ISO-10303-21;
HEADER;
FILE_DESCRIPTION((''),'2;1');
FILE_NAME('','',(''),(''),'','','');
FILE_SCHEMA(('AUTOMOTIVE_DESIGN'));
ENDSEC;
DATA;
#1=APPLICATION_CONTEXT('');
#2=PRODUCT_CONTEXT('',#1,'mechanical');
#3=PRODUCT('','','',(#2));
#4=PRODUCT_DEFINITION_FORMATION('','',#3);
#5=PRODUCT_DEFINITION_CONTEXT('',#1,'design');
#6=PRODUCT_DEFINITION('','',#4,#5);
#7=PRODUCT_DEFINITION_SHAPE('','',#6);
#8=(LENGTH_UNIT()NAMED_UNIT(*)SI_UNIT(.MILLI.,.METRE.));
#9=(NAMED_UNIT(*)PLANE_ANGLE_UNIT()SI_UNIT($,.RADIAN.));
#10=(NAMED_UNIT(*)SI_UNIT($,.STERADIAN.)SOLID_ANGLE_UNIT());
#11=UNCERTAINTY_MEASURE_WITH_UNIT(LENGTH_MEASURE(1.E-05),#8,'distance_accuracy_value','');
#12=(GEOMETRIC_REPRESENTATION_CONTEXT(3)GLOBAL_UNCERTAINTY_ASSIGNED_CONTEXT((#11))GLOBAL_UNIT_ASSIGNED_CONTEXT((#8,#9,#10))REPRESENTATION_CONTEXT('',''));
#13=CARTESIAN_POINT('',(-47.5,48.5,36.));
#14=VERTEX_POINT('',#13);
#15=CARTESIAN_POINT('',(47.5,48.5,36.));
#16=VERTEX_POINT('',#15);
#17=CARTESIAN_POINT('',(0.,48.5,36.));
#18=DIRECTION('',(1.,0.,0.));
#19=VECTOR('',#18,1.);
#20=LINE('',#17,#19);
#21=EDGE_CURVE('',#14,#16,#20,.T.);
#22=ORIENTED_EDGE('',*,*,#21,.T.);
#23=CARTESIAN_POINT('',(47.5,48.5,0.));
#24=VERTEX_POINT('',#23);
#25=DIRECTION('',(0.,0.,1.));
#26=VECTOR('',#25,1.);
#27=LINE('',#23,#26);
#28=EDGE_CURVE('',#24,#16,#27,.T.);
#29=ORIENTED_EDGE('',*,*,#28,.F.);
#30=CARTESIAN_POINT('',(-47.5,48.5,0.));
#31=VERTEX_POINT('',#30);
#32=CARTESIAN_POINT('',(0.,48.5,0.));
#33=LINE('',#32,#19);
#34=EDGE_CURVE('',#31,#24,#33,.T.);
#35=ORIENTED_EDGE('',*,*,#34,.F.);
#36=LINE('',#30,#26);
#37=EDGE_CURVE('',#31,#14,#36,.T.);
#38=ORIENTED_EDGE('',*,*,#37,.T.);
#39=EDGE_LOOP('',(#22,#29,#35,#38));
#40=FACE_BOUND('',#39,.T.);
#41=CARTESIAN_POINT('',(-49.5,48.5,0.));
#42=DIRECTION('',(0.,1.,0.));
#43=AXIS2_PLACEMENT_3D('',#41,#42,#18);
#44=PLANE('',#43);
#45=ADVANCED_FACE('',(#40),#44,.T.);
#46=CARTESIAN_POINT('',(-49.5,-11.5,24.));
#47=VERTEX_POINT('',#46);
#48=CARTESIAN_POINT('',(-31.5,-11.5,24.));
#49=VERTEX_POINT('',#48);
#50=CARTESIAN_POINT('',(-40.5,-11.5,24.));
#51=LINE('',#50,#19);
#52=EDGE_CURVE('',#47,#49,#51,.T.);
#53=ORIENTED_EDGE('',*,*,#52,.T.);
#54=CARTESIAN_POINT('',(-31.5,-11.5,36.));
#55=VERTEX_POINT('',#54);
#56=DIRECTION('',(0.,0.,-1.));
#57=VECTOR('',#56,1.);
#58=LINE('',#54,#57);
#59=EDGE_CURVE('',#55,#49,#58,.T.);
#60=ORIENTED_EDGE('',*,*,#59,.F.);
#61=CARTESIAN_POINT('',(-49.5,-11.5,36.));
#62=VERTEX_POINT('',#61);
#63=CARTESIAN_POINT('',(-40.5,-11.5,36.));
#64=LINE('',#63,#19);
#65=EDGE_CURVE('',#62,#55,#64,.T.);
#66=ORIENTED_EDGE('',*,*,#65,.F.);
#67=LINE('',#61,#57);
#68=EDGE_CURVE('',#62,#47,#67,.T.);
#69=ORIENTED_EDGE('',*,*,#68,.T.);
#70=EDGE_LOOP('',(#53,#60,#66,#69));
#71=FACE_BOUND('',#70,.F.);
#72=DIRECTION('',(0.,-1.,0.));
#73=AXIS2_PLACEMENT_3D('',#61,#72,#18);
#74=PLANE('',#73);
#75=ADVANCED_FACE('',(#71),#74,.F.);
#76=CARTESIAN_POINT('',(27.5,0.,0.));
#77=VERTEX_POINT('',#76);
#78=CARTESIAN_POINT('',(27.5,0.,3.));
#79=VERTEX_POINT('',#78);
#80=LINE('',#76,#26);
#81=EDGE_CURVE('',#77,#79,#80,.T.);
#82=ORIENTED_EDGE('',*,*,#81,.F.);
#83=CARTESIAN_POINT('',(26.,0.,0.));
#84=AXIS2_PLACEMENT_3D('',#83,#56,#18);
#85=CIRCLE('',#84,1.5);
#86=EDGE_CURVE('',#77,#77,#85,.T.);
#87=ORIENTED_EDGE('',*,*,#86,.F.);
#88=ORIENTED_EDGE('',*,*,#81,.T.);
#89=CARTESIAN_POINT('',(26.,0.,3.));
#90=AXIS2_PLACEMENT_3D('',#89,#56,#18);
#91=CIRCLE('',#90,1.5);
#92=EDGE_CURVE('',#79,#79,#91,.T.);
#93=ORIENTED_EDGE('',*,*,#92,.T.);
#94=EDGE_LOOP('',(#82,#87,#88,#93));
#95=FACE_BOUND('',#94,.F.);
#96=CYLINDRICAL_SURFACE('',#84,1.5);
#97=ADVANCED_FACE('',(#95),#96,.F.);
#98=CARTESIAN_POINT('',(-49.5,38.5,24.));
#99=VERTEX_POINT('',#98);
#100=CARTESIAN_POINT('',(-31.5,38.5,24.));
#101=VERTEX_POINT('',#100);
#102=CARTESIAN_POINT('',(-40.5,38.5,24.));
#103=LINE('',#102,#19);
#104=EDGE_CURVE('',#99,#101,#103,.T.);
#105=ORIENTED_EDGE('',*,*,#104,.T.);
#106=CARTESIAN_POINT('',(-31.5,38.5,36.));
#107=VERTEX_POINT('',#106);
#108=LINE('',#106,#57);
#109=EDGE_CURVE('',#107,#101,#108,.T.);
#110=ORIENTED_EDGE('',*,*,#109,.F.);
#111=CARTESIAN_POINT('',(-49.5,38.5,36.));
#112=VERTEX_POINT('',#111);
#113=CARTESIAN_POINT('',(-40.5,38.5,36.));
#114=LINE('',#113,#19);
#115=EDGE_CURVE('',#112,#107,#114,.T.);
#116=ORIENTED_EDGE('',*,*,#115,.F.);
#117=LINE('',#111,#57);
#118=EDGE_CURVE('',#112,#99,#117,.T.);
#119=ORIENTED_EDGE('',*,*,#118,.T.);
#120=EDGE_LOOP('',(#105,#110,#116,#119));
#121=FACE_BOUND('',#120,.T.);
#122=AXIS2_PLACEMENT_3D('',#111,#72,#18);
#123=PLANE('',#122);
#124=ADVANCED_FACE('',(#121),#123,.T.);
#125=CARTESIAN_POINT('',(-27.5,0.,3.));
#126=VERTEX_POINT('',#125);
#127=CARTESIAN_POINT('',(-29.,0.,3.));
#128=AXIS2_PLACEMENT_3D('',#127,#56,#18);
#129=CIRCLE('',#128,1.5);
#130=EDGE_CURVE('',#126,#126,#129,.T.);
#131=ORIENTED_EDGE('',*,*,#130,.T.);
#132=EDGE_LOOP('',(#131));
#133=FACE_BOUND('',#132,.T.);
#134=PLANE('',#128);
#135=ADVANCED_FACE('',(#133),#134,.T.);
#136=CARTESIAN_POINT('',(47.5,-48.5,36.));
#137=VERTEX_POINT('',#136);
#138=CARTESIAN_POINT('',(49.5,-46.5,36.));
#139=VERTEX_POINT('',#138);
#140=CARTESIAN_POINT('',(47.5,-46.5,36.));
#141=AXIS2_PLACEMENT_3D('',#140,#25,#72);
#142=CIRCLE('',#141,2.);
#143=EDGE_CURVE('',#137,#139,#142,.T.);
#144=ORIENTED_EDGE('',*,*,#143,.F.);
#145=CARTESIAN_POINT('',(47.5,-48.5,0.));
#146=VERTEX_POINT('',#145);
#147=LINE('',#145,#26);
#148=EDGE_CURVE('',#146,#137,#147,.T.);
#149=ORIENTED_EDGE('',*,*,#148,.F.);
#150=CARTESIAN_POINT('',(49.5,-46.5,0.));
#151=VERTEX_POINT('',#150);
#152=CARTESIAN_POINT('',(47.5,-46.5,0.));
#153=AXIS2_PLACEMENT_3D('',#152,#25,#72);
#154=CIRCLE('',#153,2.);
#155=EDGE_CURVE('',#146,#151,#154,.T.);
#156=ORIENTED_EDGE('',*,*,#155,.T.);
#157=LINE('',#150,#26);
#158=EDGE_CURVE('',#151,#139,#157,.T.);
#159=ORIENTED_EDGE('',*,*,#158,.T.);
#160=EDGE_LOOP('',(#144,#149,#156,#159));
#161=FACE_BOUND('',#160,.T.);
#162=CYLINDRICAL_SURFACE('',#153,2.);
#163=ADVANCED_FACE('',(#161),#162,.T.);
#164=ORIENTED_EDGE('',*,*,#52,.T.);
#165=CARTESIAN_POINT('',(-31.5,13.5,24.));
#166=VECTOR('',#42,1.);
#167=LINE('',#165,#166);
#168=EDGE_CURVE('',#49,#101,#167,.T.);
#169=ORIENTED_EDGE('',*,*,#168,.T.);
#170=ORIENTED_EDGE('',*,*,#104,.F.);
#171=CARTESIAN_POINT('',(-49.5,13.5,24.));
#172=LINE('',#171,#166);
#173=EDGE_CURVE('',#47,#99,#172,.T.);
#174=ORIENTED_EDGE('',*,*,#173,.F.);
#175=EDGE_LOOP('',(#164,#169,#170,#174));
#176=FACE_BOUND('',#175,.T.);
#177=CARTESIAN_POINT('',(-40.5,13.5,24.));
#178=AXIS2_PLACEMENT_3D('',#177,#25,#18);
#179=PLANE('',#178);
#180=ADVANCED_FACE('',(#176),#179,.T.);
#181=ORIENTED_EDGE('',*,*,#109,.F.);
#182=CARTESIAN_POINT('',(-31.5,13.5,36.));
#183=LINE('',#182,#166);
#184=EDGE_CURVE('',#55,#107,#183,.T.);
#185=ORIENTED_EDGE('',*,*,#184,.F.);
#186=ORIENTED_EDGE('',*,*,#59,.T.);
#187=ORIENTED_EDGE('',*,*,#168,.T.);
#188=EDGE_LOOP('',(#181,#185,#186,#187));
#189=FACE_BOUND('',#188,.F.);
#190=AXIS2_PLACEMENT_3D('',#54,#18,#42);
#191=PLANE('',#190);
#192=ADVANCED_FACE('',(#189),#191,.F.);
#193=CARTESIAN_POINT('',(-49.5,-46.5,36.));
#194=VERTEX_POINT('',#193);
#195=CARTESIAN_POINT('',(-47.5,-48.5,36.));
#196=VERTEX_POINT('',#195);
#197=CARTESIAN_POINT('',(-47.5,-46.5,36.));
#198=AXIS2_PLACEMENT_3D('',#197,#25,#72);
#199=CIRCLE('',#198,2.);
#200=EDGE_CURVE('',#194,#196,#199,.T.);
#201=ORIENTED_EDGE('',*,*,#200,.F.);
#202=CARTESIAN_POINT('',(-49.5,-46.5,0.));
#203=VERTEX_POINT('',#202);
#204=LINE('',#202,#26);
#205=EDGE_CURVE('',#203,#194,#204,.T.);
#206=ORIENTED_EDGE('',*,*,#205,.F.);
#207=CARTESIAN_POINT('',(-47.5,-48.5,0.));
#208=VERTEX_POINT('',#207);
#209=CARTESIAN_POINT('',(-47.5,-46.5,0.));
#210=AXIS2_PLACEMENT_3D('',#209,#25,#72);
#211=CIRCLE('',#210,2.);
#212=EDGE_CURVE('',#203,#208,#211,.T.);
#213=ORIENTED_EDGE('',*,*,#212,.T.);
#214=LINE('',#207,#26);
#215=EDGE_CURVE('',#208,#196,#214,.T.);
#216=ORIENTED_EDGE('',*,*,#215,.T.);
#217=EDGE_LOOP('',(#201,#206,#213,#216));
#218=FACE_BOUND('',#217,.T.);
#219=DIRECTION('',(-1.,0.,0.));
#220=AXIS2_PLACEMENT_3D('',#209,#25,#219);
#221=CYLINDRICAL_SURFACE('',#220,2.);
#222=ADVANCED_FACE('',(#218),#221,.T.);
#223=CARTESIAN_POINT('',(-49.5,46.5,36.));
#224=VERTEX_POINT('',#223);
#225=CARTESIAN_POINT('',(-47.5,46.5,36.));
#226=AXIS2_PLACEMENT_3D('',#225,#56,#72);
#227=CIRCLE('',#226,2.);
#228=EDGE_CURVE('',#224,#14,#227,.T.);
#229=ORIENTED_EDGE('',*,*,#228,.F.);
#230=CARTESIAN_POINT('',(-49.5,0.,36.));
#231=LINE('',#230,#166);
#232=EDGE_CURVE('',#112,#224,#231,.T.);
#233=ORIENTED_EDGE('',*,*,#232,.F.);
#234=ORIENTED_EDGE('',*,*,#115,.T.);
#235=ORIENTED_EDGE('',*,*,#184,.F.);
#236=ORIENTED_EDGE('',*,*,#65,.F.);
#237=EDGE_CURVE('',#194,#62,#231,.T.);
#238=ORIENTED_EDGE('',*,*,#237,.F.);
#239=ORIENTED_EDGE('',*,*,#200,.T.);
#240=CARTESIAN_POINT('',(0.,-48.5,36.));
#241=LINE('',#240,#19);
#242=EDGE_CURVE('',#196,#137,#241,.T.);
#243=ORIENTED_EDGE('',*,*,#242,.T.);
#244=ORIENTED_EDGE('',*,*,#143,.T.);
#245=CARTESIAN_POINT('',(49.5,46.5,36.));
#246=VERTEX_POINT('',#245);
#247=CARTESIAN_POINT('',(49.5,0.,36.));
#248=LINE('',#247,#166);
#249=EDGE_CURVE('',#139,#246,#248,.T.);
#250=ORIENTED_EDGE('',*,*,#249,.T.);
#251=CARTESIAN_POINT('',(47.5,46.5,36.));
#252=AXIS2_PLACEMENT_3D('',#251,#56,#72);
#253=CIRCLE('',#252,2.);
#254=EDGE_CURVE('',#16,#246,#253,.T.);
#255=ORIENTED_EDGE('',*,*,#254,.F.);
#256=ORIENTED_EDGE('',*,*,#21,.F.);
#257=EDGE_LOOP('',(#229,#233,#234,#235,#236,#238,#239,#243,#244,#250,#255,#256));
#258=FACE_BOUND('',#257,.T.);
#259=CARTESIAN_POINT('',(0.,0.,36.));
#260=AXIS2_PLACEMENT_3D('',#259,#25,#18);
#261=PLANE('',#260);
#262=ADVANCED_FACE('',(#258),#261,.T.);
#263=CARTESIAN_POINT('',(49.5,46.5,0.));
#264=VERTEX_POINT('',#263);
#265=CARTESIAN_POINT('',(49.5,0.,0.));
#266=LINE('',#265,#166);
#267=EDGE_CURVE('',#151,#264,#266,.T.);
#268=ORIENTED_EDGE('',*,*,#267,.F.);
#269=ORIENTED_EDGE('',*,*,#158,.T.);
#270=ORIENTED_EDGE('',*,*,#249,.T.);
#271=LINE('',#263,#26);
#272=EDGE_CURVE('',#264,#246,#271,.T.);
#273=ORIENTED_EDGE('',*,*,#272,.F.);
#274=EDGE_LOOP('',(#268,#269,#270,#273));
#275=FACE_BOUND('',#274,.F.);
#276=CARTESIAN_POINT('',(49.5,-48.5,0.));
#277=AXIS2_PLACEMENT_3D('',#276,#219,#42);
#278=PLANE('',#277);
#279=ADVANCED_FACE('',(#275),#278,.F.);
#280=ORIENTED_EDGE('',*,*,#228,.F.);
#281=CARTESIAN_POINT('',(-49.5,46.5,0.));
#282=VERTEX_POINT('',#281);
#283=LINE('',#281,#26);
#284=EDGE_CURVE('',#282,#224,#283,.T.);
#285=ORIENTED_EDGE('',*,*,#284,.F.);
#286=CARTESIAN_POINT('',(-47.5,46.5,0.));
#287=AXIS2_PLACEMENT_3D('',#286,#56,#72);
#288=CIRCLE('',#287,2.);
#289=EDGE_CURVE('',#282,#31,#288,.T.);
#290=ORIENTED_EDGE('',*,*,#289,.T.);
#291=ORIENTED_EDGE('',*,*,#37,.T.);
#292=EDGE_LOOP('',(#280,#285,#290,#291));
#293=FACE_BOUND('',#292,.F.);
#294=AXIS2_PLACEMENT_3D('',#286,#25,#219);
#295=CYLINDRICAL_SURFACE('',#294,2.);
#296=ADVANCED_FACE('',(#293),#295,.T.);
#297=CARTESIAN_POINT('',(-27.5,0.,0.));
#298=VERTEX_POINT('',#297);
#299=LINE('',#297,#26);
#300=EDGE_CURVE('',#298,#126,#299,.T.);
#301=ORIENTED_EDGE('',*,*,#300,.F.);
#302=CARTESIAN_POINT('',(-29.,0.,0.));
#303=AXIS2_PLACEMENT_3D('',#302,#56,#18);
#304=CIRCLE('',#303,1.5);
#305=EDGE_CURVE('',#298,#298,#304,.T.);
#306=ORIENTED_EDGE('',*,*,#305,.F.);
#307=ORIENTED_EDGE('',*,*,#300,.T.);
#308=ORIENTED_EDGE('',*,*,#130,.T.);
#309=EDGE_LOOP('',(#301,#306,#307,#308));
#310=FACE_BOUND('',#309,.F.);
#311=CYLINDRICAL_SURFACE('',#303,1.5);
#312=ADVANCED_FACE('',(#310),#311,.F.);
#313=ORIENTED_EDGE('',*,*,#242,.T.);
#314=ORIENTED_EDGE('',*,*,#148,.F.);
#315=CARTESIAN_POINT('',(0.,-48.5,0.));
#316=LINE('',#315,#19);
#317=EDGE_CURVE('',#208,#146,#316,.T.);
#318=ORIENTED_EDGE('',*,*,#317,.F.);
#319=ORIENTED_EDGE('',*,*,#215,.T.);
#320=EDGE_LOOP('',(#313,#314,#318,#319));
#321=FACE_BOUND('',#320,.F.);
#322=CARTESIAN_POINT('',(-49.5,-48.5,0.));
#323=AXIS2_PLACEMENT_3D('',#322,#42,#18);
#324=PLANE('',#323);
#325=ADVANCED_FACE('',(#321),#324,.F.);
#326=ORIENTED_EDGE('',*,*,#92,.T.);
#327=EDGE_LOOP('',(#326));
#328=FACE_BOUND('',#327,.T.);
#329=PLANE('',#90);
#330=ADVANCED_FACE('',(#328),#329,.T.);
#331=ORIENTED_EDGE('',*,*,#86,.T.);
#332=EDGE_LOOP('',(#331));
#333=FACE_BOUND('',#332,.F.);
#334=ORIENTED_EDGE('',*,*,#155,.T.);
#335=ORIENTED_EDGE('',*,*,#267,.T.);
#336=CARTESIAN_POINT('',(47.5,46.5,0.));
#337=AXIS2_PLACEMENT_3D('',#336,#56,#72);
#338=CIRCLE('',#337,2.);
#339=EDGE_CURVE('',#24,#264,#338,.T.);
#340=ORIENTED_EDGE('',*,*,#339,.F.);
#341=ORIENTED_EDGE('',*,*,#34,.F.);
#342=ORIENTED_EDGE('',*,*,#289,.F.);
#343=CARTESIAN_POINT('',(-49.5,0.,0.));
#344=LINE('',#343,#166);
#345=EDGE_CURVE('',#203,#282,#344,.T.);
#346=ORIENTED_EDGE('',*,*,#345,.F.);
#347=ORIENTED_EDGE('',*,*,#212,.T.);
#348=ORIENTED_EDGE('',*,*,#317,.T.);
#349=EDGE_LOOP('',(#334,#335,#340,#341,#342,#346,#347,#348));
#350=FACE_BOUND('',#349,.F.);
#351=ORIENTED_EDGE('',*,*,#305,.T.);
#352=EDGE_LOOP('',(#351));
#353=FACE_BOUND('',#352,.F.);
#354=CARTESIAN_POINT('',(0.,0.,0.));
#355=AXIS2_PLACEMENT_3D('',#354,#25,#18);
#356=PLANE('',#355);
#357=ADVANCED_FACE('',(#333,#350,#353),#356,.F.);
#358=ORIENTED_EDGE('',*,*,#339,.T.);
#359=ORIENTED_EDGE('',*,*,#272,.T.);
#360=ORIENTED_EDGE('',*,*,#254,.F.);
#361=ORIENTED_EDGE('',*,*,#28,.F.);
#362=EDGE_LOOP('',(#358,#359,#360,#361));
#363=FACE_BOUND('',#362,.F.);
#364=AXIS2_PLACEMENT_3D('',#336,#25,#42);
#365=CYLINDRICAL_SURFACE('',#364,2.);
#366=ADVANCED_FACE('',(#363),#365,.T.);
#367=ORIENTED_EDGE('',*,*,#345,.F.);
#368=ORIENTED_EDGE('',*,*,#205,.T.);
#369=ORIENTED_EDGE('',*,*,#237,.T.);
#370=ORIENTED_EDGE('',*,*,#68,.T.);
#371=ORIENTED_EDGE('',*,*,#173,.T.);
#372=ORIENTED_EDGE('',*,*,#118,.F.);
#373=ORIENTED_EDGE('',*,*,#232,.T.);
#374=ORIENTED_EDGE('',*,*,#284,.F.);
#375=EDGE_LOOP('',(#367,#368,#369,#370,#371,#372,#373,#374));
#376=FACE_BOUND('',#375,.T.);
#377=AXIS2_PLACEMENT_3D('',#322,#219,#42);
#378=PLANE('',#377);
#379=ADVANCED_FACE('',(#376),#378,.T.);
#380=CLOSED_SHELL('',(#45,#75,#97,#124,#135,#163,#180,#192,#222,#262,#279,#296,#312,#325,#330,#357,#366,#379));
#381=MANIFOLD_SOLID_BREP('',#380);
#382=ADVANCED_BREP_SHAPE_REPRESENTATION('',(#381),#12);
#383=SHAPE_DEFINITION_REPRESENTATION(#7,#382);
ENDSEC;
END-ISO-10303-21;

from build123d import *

# Parameters (mm, degrees)
F0_W     = 99
F0_H     = 97
F1_DEPTH = 36
F2_R     = 1.5
F3_DEPTH = 3
F4_W     = 18
F4_H     = 50
F5_DEPTH = 12
F6_R     = 2


with BuildPart() as f1:
    # F0 (on Top) → F1 (new body)
    with BuildSketch(Plane.XY):
        Rectangle(F0_W, F0_H)
    extrude(amount=F1_DEPTH)

    # F2 (on face) → F3 (cut)
    with BuildSketch(Plane(origin=(0, 0, 0), x_dir=(1, 0, 0), z_dir=(0, 0, -1))):
        with Locations((-29, 0)):
            Circle(F2_R)
        with Locations((26, 0)):
            Circle(F2_R)
    extrude(amount=-F3_DEPTH, mode=Mode.SUBTRACT)

    # F4 (on face) → F5 (cut)
    with BuildSketch(Plane.XY.offset(36)):
        with Locations((-40.5, 13.5)):
            Rectangle(F4_W, F4_H)
    extrude(amount=-F5_DEPTH, mode=Mode.SUBTRACT)

    # F6
    f6_edges = [f1.edges().sort_by_distance(p)[0] for p in [
        (-49.5, -48.5, 18),
        (49.5, -48.5, 18),
        (49.5, 48.5, 18),
        (-49.5, 48.5, 18),
    ]]
    fillet(f6_edges, radius=F6_R)


solid = f1.part
